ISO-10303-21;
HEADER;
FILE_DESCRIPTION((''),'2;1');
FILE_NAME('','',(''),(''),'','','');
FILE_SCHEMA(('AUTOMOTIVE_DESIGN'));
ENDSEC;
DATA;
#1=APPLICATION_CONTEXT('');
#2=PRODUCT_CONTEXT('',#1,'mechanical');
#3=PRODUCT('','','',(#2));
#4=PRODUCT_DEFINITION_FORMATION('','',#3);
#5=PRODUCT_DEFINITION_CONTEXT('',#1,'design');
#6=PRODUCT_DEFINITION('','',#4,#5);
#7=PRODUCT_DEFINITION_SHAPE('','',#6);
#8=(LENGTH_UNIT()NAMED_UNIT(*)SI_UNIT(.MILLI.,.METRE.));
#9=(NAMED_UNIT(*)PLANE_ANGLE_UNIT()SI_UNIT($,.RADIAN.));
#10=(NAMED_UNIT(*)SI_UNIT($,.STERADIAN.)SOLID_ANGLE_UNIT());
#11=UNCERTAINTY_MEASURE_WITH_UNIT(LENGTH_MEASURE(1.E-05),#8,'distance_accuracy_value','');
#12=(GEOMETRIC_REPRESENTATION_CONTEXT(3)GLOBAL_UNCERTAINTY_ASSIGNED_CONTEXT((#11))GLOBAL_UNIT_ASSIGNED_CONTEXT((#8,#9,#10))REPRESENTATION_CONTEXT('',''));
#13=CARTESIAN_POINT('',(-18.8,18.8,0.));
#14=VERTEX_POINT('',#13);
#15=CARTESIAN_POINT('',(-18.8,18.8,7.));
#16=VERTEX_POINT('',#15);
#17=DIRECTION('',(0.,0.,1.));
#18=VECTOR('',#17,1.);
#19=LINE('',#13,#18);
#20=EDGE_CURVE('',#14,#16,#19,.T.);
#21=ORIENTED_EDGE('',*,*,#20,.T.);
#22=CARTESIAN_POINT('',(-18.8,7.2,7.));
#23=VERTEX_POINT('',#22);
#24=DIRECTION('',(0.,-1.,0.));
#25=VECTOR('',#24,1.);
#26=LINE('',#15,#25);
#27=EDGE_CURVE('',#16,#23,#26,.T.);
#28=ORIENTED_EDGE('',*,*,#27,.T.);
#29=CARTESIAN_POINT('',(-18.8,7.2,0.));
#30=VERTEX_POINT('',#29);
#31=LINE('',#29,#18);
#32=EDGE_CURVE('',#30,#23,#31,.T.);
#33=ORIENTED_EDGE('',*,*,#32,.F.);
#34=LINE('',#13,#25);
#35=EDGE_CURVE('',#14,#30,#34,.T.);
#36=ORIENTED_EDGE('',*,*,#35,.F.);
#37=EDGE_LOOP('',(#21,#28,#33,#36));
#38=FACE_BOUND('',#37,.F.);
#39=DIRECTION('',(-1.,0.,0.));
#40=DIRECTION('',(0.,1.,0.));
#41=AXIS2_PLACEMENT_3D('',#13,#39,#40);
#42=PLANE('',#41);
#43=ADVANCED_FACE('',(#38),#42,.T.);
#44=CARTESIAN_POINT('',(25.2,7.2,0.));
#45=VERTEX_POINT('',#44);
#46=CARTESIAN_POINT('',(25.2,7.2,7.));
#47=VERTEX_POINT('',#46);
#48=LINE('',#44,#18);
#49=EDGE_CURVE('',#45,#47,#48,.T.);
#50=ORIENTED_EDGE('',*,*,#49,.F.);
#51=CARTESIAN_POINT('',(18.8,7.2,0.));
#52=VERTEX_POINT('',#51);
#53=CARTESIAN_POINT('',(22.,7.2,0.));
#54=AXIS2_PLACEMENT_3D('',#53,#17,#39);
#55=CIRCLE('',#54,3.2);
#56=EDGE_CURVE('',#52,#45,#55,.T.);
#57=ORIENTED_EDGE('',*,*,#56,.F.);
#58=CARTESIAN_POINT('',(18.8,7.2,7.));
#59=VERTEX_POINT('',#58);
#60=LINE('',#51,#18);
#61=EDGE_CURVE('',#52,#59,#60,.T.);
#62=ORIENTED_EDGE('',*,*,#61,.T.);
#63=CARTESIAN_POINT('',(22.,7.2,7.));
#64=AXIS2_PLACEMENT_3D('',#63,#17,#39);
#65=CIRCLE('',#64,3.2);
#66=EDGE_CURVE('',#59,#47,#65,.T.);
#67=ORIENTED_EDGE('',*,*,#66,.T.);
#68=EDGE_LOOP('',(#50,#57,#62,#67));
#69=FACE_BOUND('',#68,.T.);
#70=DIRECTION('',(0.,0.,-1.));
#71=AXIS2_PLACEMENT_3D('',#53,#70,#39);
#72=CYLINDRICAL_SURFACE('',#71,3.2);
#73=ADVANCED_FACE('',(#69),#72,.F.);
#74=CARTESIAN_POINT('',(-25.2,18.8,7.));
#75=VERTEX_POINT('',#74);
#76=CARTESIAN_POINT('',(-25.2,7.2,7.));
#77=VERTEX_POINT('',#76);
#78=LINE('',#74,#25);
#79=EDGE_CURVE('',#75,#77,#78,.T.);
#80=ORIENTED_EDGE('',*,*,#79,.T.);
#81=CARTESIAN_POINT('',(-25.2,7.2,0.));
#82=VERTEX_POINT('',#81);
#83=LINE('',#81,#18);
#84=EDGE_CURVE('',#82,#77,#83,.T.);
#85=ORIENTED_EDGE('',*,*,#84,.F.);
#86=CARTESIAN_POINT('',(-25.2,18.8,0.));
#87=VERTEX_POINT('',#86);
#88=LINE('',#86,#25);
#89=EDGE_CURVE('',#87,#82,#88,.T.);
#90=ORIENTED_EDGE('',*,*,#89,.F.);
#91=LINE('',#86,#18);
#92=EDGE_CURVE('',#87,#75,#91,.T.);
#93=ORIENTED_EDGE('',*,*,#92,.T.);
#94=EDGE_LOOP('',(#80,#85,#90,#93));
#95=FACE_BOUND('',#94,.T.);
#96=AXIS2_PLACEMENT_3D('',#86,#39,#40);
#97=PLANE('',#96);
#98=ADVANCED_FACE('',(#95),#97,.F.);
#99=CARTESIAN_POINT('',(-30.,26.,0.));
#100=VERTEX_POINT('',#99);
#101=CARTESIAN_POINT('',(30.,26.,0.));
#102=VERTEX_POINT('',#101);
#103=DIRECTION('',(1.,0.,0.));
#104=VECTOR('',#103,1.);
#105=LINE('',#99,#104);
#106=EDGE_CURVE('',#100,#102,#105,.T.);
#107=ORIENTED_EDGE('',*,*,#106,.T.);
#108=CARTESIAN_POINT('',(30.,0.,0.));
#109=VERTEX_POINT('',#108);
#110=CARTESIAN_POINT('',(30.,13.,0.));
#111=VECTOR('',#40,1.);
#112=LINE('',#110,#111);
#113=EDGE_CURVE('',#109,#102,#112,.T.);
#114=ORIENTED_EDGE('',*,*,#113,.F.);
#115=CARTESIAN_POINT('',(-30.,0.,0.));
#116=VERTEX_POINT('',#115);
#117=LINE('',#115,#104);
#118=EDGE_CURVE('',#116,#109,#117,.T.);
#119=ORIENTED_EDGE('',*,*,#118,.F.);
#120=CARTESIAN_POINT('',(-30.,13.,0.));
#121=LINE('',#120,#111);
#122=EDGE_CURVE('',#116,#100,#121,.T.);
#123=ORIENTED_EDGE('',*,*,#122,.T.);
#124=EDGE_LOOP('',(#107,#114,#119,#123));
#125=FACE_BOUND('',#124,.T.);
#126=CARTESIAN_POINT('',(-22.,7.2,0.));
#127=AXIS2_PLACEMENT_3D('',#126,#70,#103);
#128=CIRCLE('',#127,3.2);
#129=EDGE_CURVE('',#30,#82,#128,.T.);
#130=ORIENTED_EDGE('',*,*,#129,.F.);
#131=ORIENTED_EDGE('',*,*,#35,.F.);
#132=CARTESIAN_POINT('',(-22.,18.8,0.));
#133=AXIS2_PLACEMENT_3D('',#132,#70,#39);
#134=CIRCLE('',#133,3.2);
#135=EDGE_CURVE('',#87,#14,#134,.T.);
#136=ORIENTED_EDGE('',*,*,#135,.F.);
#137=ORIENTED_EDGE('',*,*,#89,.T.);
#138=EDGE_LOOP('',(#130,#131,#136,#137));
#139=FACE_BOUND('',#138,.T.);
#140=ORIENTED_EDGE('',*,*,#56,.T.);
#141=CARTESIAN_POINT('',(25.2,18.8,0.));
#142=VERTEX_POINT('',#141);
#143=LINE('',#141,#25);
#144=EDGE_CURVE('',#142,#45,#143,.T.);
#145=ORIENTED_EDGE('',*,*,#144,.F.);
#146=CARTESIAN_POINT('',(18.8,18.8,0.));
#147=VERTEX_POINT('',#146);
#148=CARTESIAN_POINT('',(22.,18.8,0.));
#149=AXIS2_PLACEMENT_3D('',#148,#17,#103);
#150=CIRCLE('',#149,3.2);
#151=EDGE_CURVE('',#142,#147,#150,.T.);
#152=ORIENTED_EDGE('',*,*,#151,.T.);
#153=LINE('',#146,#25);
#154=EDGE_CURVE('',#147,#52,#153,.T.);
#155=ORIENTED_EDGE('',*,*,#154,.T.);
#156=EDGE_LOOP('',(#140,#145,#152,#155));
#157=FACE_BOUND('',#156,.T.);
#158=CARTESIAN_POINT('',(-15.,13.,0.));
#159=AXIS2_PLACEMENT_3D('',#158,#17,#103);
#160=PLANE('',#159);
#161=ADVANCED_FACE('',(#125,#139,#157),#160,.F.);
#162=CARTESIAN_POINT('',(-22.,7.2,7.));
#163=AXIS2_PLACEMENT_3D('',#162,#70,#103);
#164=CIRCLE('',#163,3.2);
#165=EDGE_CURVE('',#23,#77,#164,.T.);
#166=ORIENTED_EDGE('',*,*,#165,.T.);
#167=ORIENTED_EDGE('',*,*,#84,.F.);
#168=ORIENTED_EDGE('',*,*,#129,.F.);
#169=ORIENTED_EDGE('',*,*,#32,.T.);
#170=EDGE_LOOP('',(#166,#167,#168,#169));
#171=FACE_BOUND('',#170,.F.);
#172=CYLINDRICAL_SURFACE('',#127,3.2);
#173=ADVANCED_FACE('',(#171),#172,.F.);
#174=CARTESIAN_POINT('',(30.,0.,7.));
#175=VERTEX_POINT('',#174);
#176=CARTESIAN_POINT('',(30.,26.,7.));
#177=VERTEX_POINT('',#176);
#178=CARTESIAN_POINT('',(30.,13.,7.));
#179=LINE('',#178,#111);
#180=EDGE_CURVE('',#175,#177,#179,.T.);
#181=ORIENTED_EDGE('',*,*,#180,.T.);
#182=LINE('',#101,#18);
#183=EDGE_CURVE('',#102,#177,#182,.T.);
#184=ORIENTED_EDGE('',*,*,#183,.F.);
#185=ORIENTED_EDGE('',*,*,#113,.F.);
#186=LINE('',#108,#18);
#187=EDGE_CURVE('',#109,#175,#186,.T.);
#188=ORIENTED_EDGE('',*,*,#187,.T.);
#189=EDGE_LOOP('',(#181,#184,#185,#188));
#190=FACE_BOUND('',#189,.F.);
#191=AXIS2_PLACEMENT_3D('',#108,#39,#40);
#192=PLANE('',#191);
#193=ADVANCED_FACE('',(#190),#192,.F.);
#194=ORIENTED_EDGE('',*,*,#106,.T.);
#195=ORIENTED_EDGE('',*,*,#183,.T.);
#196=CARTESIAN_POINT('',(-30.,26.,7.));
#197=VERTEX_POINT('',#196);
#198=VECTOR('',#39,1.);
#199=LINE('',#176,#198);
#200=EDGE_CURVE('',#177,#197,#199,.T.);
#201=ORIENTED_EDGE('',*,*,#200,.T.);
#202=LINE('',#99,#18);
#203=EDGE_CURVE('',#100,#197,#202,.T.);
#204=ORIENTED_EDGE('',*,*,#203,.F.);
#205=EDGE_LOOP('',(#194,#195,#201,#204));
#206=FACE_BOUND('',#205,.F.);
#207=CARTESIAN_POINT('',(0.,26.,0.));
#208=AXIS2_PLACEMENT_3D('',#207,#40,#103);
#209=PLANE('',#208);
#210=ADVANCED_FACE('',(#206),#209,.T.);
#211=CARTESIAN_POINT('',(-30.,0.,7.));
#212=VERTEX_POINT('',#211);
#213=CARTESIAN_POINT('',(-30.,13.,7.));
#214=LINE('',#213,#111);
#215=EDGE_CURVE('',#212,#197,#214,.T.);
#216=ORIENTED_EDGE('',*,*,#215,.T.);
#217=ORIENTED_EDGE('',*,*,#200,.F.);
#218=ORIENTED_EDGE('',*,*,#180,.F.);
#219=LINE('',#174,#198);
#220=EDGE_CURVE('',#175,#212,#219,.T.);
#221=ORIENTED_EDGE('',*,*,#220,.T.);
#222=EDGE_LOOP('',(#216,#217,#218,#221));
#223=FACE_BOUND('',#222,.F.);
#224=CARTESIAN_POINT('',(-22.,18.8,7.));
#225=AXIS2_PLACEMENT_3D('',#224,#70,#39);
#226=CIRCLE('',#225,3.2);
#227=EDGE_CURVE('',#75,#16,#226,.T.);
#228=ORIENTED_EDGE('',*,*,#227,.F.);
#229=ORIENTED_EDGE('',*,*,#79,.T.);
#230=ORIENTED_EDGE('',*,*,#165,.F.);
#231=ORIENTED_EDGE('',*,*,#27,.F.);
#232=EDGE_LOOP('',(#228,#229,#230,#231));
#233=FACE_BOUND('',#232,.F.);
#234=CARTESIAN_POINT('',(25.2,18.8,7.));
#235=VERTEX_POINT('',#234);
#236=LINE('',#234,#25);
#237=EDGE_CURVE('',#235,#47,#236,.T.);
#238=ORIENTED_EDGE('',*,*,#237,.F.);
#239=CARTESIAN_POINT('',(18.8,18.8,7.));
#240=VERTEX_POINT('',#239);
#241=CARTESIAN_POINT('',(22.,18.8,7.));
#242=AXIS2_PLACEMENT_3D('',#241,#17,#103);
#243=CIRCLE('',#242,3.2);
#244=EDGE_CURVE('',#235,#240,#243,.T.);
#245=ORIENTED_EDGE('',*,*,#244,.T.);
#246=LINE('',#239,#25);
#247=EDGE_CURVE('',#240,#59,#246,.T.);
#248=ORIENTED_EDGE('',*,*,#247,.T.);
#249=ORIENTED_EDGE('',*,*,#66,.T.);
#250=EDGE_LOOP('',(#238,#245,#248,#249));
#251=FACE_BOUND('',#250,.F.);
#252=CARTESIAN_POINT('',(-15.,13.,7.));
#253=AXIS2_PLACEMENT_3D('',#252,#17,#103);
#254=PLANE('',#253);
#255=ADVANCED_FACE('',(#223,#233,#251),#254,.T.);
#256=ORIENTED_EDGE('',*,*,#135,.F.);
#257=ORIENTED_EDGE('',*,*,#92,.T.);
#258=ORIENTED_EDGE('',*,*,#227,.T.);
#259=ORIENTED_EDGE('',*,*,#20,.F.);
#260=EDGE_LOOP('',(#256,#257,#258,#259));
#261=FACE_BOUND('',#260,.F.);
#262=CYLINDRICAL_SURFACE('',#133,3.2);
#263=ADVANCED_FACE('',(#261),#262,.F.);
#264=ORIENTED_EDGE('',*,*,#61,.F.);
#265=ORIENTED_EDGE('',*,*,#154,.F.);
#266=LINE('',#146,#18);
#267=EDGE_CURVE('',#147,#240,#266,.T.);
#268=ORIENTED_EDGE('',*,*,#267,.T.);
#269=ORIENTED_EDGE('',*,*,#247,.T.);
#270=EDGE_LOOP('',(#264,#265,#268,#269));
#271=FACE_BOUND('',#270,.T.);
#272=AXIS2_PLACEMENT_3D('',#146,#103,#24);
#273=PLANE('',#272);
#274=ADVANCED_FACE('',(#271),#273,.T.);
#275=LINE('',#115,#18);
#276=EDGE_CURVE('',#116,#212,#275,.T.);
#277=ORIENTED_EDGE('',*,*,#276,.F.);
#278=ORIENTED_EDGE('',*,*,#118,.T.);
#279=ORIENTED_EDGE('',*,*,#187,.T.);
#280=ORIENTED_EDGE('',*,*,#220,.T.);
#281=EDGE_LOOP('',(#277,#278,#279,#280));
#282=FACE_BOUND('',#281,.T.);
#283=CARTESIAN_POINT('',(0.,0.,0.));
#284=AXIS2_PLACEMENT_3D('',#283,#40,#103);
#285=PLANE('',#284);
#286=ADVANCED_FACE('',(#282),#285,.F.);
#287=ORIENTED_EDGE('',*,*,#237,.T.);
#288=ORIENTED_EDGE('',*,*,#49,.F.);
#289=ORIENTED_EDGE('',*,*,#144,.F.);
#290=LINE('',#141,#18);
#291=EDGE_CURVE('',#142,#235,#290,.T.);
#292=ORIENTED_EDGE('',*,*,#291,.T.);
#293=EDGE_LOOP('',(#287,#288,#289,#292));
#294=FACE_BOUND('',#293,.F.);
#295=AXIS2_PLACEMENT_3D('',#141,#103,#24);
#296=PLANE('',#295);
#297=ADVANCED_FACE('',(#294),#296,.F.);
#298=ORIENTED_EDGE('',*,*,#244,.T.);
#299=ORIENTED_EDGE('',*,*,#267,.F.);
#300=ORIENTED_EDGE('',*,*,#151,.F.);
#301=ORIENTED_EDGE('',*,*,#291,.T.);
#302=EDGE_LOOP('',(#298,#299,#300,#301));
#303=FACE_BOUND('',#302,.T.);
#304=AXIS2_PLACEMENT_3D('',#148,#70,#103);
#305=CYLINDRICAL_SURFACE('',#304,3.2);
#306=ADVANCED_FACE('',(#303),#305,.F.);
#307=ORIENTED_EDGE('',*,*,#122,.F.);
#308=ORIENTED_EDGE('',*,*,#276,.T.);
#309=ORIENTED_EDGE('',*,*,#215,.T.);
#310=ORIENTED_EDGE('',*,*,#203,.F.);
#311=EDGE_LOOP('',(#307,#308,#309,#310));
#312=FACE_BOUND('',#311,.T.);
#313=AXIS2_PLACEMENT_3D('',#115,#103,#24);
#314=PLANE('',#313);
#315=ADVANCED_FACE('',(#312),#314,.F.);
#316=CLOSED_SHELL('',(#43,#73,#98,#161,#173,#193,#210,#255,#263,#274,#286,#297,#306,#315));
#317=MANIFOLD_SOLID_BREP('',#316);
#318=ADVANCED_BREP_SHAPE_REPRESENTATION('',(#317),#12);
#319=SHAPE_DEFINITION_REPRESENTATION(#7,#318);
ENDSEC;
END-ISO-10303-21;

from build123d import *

# Parameters (mm, degrees)
SKETCH_W  = 30
SKETCH_H  = 26
PAD_DEPTH = 7


with BuildPart() as part:
    # Sketch → Pad (new body)
    with BuildSketch(Plane.XY):
        with Locations((15, 13)):
            Rectangle(SKETCH_W, SKETCH_H)
        with BuildLine():
            ThreePointArc((25.2, 18.8), (22, 22), (18.8, 18.8))
            Line((18.8, 18.8), (18.8, 7.2))
            ThreePointArc((18.8, 7.2), (22, 4), (25.2, 7.2))
            Line((25.2, 18.8), (25.2, 7.2))
        make_face(mode=Mode.SUBTRACT)
    pad = extrude(amount=PAD_DEPTH)

    # Mirrored: Pad across Sketch V_Axis
    add(pad.mirror(Plane(origin=(0, 0, 0), x_dir=(0, 0, 1), z_dir=(1, 0, 0))))


solid = part.part
